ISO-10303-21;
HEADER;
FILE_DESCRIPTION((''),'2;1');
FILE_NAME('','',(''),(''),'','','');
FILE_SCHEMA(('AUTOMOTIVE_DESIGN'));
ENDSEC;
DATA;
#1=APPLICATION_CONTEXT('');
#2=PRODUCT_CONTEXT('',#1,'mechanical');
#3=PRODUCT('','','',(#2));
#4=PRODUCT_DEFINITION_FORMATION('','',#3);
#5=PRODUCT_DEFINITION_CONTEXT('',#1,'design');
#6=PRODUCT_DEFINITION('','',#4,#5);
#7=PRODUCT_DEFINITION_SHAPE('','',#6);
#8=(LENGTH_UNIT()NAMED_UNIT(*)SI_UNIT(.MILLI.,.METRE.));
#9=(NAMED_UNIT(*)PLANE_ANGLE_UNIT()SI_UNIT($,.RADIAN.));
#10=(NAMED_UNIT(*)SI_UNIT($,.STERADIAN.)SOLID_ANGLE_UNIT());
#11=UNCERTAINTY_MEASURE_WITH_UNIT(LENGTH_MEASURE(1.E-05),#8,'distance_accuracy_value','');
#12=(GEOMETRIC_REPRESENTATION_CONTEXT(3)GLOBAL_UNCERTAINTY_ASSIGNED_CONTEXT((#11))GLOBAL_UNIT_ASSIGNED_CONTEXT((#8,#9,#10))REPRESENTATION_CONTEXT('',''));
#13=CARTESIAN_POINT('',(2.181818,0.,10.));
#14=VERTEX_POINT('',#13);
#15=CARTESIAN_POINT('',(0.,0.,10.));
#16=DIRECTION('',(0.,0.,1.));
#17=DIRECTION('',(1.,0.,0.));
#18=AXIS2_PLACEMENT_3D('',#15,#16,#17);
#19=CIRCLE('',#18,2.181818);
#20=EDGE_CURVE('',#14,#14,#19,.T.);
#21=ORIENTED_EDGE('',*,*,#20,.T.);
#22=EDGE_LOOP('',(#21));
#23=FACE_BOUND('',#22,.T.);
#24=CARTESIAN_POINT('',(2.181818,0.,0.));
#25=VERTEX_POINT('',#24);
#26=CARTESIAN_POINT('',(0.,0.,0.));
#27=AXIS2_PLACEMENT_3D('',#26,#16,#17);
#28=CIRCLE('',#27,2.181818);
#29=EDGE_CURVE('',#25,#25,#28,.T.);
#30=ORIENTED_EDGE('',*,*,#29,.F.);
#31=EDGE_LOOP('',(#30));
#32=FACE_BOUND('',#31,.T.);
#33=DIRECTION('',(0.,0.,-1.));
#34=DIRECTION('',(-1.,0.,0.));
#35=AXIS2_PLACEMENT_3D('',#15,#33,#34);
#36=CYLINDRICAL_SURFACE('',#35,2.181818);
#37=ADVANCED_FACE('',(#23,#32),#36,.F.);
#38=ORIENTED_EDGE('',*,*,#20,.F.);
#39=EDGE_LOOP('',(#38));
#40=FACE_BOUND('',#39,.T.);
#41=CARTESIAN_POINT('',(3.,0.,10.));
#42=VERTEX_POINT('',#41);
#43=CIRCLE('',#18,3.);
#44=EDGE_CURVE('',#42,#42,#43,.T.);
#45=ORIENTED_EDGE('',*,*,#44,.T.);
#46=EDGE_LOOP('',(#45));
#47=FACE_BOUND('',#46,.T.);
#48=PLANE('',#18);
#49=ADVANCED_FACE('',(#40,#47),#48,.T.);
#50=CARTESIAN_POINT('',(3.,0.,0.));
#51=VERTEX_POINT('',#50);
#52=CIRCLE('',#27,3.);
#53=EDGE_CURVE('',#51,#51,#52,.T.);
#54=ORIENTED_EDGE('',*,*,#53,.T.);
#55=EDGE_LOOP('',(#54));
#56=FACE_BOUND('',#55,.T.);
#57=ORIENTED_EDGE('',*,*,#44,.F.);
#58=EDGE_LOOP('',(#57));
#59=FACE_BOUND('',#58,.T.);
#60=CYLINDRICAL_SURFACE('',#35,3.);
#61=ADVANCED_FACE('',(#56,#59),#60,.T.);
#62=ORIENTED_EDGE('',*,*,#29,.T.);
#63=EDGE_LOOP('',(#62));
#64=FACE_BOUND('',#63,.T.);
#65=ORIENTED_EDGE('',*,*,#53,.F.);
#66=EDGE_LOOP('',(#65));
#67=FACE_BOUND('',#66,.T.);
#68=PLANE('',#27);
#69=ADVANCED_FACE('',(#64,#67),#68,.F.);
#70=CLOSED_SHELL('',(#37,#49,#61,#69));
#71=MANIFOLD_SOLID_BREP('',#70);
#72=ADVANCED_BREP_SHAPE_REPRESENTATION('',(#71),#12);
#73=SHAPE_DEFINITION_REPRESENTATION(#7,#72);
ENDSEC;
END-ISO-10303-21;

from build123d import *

# Parameters (mm, degrees)
SKETCH2_R           = 3
SKETCH2_R_2         = 2.181818182
BOSS_EXTRUDE1_DEPTH = 10


with BuildPart() as part:
    # Sketch2 → Boss-Extrude1 (new body)
    with BuildSketch(Plane.XY):
        Circle(SKETCH2_R)
        Circle(SKETCH2_R_2, mode=Mode.SUBTRACT)
    extrude(amount=BOSS_EXTRUDE1_DEPTH)


solid = part.part
